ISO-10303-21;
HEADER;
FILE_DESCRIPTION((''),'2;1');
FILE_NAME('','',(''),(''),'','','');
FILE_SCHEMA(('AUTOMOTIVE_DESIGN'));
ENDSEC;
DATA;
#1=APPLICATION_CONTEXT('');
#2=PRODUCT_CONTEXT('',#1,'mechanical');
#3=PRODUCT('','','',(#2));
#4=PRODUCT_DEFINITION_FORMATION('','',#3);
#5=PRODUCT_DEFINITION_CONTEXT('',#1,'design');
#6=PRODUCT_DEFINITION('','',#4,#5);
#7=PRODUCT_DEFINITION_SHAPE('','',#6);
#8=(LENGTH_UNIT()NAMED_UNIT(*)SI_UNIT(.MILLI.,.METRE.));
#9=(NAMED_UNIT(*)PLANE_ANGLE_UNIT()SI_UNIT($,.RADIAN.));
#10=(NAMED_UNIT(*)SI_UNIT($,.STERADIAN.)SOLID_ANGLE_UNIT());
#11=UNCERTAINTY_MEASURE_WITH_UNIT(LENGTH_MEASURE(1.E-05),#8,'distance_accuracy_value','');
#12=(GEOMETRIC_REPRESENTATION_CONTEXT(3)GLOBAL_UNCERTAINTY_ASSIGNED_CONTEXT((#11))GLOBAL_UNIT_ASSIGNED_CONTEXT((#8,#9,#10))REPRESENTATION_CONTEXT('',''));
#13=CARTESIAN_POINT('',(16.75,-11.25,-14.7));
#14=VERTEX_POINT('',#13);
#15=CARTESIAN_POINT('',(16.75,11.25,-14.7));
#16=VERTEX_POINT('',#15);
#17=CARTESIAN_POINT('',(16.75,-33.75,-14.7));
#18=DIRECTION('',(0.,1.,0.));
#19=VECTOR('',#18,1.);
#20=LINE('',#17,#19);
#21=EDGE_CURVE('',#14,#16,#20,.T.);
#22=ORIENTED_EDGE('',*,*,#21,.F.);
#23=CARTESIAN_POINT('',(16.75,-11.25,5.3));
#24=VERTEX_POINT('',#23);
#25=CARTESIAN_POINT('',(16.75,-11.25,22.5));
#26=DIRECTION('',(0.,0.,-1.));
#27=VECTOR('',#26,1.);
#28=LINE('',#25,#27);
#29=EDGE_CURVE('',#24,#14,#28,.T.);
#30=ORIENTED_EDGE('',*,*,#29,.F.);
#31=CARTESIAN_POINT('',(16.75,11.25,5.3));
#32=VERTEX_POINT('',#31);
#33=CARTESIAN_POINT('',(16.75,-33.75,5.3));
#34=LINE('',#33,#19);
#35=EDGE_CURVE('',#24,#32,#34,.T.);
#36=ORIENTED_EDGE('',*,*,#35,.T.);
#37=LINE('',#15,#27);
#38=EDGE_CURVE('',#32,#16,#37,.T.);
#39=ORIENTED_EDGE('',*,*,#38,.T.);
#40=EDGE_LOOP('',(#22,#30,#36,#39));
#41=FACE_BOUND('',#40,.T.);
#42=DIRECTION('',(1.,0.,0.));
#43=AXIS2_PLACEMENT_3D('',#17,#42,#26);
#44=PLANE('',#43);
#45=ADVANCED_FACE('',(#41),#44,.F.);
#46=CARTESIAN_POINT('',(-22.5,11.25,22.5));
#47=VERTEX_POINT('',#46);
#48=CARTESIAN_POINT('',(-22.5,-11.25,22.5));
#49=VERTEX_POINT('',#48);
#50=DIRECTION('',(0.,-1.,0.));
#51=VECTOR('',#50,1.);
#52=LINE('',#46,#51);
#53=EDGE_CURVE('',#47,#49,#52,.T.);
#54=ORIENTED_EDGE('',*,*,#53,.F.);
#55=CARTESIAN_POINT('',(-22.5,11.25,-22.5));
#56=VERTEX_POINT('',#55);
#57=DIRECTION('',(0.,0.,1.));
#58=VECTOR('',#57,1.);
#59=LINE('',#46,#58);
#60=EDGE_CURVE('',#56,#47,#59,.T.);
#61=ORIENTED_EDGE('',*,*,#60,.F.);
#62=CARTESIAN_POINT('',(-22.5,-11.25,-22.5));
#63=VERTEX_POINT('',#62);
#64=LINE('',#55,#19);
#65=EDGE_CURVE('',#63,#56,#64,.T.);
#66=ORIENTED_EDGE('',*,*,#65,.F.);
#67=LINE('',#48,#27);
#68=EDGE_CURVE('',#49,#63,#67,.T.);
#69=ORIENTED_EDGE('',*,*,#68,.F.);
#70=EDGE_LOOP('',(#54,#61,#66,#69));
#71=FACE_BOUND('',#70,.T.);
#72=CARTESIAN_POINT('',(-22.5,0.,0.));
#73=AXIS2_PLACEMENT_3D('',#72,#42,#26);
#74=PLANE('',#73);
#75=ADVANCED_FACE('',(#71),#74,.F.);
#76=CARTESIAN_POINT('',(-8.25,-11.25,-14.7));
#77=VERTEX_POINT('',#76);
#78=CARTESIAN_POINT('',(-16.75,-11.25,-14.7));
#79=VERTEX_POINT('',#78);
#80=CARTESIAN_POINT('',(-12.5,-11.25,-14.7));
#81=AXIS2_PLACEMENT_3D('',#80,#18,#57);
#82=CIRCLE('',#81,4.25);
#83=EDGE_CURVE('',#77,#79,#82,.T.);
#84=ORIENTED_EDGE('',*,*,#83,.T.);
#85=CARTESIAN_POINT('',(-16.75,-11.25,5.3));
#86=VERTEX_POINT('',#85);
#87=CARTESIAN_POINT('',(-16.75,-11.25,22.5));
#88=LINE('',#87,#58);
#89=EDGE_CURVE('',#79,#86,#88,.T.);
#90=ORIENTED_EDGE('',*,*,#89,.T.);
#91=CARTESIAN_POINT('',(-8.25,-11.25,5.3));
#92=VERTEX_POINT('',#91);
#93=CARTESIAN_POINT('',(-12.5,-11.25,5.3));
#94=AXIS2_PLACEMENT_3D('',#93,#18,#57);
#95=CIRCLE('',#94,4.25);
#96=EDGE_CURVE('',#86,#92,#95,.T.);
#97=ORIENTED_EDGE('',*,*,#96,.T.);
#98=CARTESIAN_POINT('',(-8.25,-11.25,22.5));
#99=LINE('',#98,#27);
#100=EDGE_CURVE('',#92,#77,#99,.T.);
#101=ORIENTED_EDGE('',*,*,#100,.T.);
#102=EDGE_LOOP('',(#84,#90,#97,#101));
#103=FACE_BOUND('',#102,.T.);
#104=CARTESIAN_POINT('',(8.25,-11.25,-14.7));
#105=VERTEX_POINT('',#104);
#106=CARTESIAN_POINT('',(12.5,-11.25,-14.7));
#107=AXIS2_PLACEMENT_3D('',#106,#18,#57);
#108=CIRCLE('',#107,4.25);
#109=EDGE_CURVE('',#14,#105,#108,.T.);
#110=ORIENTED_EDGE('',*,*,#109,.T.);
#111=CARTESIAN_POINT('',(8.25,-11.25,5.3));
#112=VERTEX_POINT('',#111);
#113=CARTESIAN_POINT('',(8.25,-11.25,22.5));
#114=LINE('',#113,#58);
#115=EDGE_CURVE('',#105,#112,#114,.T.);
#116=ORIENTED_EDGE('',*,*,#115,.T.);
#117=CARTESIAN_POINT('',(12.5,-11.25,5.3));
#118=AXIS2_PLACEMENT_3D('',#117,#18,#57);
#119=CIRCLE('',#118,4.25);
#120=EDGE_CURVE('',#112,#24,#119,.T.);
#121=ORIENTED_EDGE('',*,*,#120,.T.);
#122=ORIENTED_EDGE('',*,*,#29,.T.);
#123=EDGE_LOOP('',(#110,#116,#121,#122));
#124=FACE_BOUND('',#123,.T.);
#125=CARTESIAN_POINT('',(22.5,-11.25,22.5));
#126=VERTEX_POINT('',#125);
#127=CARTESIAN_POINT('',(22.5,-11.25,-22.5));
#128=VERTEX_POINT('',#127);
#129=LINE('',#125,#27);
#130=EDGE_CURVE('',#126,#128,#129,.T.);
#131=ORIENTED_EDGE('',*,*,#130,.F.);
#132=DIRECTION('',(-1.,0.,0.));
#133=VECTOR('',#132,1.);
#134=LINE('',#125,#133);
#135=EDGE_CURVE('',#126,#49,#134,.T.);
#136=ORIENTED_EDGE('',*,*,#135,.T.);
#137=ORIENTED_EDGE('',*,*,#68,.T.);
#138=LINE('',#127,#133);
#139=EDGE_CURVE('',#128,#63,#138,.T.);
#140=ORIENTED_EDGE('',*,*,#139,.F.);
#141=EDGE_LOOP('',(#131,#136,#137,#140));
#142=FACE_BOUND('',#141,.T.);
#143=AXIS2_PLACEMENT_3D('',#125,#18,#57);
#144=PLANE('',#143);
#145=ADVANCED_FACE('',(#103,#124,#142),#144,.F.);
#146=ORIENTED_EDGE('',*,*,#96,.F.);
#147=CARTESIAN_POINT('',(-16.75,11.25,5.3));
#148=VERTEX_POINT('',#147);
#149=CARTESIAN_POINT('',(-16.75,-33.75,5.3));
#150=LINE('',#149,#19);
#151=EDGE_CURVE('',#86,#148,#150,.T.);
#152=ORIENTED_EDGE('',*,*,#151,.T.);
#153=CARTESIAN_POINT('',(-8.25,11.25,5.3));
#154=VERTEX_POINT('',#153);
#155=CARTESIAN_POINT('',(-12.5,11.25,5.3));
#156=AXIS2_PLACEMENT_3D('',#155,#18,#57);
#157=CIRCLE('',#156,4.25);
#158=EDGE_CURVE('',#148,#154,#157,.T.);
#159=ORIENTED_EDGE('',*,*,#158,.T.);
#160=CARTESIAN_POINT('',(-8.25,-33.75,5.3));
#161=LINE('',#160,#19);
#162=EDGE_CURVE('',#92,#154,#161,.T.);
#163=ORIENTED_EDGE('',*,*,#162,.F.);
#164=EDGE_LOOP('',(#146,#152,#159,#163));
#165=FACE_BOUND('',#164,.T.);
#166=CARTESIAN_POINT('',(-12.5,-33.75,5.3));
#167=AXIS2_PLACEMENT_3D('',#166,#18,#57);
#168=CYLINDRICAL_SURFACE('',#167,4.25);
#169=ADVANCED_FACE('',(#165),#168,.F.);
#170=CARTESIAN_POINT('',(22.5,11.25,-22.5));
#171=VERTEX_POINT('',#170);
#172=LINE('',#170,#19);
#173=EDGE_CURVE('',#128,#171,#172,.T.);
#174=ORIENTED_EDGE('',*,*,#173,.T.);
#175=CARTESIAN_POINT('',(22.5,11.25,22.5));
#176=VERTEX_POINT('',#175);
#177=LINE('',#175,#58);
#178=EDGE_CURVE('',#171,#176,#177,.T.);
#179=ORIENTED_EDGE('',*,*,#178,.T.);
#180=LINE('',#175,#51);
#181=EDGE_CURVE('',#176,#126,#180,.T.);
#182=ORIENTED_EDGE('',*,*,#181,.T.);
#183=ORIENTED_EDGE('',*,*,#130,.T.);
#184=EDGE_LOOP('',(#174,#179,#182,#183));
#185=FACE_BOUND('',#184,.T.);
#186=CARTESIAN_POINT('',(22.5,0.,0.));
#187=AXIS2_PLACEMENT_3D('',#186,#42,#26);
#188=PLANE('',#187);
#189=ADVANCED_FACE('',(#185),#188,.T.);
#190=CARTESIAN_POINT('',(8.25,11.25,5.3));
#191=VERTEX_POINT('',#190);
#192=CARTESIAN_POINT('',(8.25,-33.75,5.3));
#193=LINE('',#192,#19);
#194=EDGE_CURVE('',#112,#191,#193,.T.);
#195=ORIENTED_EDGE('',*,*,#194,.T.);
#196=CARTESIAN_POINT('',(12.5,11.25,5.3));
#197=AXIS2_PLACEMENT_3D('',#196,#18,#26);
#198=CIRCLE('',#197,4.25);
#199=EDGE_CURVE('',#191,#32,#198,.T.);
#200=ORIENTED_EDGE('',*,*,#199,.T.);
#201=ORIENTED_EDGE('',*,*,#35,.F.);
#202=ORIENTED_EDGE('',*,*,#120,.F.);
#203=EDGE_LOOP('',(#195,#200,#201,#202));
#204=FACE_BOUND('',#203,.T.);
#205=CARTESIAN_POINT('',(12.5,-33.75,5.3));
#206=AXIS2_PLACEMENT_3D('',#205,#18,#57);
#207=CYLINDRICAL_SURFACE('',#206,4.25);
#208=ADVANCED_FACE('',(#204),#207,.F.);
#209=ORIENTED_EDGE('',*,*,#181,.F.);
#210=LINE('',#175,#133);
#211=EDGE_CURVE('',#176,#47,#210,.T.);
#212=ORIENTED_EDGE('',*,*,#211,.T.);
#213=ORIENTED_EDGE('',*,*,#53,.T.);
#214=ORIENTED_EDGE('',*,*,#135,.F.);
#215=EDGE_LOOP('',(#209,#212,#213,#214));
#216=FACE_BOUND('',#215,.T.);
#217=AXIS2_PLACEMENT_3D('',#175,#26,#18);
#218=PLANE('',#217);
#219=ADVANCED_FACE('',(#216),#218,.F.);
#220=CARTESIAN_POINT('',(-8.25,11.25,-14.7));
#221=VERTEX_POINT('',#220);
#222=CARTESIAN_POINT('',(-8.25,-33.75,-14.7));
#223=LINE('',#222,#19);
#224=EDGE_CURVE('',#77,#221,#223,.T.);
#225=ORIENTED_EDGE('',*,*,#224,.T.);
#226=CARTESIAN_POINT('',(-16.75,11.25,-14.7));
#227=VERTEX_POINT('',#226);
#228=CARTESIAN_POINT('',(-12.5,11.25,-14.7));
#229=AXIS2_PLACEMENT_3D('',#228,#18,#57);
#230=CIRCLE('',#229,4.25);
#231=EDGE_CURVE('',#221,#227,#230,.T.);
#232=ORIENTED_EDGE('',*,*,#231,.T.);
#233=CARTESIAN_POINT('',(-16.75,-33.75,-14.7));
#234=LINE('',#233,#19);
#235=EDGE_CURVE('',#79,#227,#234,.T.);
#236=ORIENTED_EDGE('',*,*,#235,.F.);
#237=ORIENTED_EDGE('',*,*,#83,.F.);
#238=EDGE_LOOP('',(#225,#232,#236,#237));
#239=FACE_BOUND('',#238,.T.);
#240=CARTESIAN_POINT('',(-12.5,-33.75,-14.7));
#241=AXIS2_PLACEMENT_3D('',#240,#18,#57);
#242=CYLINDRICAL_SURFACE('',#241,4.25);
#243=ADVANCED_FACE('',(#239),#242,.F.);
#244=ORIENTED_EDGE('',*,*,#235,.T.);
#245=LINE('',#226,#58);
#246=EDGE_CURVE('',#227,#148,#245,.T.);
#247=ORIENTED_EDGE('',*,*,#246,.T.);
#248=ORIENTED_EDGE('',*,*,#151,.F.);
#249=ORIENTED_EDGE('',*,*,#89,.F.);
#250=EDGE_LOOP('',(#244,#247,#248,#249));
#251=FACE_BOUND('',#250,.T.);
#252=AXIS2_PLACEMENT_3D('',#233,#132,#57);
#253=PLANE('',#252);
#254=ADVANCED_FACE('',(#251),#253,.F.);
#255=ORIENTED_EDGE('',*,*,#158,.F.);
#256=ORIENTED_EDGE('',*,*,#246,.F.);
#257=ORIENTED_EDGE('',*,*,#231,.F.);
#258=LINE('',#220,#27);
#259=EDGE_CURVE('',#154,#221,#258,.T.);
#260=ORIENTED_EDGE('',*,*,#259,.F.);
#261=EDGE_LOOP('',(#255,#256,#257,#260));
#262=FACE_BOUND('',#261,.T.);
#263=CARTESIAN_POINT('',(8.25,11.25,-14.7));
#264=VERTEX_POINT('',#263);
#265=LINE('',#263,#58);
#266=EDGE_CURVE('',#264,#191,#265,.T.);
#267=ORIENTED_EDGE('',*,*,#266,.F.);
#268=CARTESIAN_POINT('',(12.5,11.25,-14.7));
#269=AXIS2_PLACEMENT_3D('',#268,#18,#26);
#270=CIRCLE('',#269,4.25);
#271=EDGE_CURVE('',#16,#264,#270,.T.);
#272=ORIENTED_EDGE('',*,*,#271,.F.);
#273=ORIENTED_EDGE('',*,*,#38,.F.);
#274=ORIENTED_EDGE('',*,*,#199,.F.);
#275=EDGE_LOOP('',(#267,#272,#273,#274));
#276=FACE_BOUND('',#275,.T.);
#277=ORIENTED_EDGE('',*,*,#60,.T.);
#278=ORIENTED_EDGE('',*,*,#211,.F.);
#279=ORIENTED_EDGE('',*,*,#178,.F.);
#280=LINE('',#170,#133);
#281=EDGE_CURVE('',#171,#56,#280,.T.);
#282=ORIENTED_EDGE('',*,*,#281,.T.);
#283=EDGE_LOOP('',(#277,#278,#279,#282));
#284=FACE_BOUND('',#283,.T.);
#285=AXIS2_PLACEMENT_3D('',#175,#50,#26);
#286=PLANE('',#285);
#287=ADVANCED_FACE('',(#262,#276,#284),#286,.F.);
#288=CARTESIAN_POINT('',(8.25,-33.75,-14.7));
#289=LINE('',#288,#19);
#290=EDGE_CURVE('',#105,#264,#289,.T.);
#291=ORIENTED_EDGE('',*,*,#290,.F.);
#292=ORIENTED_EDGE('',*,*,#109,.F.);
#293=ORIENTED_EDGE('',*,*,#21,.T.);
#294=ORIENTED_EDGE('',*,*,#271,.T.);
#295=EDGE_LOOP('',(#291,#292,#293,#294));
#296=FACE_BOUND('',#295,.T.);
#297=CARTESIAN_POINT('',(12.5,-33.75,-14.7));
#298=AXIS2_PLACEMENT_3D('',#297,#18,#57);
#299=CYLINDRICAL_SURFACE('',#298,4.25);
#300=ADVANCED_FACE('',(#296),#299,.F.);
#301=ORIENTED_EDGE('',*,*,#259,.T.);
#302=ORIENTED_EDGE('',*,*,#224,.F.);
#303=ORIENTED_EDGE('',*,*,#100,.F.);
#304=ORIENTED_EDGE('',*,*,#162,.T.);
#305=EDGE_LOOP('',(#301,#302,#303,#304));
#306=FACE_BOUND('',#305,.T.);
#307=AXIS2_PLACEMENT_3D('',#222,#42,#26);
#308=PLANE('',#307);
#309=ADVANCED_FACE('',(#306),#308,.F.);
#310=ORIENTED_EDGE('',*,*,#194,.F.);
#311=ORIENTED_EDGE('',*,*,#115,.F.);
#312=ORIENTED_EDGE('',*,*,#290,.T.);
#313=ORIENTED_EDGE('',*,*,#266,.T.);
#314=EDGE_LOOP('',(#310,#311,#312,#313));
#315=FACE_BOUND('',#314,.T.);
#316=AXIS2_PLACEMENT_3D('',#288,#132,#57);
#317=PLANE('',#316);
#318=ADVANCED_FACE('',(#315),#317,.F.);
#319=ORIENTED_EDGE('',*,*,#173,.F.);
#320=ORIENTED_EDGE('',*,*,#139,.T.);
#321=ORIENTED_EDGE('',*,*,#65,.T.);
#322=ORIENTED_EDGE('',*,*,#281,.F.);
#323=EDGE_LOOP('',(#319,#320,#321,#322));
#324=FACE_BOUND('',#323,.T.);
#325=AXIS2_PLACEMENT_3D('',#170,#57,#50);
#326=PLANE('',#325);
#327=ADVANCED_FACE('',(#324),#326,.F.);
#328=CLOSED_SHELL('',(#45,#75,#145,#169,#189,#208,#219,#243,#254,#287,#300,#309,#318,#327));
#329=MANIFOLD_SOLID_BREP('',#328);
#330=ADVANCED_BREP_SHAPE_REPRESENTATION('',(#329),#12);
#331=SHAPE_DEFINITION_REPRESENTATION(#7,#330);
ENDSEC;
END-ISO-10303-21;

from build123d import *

# Parameters (mm, degrees)
SKETCH1_W           = 45
SKETCH1_H           = 22.5
BOSS_EXTRUDE1_DEPTH = 22.5
CUT_EXTRUDE1_DEPTH  = 45


with BuildPart() as part:
    # Sketch1 → Boss-Extrude1 (new, symmetric)
    with BuildSketch(Plane(origin=(0, 0, 0), x_dir=(0, 0, -1), z_dir=(1, 0, 0))):
        Rectangle(SKETCH1_W, SKETCH1_H)
    extrude(amount=BOSS_EXTRUDE1_DEPTH, both=True)

    # Sketch2 → Cut-Extrude1 (cut)
    with BuildSketch(Plane(origin=(0, 11.25, 0), x_dir=(1, 0, 0), z_dir=(0, 1, 0))):
        with BuildLine():
            Line((-8.25, 14.7), (-8.25, -5.3))
            ThreePointArc((-8.25, -5.3), (-12.5, -9.55), (-16.75, -5.3))
            Line((-16.75, -5.3), (-16.75, 14.7))
            ThreePointArc((-16.75, 14.7), (-12.5, 18.95), (-8.25, 14.7))
        make_face()
        with BuildLine():
            Line((8.25, 14.7), (8.25, -5.3))
            ThreePointArc((8.25, -5.3), (12.5, -9.55), (16.75, -5.3))
            Line((16.75, -5.3), (16.75, 14.7))
            ThreePointArc((16.75, 14.7), (12.5, 18.95), (8.25, 14.7))
        make_face()
    extrude(amount=-CUT_EXTRUDE1_DEPTH, mode=Mode.SUBTRACT)


solid = part.part
